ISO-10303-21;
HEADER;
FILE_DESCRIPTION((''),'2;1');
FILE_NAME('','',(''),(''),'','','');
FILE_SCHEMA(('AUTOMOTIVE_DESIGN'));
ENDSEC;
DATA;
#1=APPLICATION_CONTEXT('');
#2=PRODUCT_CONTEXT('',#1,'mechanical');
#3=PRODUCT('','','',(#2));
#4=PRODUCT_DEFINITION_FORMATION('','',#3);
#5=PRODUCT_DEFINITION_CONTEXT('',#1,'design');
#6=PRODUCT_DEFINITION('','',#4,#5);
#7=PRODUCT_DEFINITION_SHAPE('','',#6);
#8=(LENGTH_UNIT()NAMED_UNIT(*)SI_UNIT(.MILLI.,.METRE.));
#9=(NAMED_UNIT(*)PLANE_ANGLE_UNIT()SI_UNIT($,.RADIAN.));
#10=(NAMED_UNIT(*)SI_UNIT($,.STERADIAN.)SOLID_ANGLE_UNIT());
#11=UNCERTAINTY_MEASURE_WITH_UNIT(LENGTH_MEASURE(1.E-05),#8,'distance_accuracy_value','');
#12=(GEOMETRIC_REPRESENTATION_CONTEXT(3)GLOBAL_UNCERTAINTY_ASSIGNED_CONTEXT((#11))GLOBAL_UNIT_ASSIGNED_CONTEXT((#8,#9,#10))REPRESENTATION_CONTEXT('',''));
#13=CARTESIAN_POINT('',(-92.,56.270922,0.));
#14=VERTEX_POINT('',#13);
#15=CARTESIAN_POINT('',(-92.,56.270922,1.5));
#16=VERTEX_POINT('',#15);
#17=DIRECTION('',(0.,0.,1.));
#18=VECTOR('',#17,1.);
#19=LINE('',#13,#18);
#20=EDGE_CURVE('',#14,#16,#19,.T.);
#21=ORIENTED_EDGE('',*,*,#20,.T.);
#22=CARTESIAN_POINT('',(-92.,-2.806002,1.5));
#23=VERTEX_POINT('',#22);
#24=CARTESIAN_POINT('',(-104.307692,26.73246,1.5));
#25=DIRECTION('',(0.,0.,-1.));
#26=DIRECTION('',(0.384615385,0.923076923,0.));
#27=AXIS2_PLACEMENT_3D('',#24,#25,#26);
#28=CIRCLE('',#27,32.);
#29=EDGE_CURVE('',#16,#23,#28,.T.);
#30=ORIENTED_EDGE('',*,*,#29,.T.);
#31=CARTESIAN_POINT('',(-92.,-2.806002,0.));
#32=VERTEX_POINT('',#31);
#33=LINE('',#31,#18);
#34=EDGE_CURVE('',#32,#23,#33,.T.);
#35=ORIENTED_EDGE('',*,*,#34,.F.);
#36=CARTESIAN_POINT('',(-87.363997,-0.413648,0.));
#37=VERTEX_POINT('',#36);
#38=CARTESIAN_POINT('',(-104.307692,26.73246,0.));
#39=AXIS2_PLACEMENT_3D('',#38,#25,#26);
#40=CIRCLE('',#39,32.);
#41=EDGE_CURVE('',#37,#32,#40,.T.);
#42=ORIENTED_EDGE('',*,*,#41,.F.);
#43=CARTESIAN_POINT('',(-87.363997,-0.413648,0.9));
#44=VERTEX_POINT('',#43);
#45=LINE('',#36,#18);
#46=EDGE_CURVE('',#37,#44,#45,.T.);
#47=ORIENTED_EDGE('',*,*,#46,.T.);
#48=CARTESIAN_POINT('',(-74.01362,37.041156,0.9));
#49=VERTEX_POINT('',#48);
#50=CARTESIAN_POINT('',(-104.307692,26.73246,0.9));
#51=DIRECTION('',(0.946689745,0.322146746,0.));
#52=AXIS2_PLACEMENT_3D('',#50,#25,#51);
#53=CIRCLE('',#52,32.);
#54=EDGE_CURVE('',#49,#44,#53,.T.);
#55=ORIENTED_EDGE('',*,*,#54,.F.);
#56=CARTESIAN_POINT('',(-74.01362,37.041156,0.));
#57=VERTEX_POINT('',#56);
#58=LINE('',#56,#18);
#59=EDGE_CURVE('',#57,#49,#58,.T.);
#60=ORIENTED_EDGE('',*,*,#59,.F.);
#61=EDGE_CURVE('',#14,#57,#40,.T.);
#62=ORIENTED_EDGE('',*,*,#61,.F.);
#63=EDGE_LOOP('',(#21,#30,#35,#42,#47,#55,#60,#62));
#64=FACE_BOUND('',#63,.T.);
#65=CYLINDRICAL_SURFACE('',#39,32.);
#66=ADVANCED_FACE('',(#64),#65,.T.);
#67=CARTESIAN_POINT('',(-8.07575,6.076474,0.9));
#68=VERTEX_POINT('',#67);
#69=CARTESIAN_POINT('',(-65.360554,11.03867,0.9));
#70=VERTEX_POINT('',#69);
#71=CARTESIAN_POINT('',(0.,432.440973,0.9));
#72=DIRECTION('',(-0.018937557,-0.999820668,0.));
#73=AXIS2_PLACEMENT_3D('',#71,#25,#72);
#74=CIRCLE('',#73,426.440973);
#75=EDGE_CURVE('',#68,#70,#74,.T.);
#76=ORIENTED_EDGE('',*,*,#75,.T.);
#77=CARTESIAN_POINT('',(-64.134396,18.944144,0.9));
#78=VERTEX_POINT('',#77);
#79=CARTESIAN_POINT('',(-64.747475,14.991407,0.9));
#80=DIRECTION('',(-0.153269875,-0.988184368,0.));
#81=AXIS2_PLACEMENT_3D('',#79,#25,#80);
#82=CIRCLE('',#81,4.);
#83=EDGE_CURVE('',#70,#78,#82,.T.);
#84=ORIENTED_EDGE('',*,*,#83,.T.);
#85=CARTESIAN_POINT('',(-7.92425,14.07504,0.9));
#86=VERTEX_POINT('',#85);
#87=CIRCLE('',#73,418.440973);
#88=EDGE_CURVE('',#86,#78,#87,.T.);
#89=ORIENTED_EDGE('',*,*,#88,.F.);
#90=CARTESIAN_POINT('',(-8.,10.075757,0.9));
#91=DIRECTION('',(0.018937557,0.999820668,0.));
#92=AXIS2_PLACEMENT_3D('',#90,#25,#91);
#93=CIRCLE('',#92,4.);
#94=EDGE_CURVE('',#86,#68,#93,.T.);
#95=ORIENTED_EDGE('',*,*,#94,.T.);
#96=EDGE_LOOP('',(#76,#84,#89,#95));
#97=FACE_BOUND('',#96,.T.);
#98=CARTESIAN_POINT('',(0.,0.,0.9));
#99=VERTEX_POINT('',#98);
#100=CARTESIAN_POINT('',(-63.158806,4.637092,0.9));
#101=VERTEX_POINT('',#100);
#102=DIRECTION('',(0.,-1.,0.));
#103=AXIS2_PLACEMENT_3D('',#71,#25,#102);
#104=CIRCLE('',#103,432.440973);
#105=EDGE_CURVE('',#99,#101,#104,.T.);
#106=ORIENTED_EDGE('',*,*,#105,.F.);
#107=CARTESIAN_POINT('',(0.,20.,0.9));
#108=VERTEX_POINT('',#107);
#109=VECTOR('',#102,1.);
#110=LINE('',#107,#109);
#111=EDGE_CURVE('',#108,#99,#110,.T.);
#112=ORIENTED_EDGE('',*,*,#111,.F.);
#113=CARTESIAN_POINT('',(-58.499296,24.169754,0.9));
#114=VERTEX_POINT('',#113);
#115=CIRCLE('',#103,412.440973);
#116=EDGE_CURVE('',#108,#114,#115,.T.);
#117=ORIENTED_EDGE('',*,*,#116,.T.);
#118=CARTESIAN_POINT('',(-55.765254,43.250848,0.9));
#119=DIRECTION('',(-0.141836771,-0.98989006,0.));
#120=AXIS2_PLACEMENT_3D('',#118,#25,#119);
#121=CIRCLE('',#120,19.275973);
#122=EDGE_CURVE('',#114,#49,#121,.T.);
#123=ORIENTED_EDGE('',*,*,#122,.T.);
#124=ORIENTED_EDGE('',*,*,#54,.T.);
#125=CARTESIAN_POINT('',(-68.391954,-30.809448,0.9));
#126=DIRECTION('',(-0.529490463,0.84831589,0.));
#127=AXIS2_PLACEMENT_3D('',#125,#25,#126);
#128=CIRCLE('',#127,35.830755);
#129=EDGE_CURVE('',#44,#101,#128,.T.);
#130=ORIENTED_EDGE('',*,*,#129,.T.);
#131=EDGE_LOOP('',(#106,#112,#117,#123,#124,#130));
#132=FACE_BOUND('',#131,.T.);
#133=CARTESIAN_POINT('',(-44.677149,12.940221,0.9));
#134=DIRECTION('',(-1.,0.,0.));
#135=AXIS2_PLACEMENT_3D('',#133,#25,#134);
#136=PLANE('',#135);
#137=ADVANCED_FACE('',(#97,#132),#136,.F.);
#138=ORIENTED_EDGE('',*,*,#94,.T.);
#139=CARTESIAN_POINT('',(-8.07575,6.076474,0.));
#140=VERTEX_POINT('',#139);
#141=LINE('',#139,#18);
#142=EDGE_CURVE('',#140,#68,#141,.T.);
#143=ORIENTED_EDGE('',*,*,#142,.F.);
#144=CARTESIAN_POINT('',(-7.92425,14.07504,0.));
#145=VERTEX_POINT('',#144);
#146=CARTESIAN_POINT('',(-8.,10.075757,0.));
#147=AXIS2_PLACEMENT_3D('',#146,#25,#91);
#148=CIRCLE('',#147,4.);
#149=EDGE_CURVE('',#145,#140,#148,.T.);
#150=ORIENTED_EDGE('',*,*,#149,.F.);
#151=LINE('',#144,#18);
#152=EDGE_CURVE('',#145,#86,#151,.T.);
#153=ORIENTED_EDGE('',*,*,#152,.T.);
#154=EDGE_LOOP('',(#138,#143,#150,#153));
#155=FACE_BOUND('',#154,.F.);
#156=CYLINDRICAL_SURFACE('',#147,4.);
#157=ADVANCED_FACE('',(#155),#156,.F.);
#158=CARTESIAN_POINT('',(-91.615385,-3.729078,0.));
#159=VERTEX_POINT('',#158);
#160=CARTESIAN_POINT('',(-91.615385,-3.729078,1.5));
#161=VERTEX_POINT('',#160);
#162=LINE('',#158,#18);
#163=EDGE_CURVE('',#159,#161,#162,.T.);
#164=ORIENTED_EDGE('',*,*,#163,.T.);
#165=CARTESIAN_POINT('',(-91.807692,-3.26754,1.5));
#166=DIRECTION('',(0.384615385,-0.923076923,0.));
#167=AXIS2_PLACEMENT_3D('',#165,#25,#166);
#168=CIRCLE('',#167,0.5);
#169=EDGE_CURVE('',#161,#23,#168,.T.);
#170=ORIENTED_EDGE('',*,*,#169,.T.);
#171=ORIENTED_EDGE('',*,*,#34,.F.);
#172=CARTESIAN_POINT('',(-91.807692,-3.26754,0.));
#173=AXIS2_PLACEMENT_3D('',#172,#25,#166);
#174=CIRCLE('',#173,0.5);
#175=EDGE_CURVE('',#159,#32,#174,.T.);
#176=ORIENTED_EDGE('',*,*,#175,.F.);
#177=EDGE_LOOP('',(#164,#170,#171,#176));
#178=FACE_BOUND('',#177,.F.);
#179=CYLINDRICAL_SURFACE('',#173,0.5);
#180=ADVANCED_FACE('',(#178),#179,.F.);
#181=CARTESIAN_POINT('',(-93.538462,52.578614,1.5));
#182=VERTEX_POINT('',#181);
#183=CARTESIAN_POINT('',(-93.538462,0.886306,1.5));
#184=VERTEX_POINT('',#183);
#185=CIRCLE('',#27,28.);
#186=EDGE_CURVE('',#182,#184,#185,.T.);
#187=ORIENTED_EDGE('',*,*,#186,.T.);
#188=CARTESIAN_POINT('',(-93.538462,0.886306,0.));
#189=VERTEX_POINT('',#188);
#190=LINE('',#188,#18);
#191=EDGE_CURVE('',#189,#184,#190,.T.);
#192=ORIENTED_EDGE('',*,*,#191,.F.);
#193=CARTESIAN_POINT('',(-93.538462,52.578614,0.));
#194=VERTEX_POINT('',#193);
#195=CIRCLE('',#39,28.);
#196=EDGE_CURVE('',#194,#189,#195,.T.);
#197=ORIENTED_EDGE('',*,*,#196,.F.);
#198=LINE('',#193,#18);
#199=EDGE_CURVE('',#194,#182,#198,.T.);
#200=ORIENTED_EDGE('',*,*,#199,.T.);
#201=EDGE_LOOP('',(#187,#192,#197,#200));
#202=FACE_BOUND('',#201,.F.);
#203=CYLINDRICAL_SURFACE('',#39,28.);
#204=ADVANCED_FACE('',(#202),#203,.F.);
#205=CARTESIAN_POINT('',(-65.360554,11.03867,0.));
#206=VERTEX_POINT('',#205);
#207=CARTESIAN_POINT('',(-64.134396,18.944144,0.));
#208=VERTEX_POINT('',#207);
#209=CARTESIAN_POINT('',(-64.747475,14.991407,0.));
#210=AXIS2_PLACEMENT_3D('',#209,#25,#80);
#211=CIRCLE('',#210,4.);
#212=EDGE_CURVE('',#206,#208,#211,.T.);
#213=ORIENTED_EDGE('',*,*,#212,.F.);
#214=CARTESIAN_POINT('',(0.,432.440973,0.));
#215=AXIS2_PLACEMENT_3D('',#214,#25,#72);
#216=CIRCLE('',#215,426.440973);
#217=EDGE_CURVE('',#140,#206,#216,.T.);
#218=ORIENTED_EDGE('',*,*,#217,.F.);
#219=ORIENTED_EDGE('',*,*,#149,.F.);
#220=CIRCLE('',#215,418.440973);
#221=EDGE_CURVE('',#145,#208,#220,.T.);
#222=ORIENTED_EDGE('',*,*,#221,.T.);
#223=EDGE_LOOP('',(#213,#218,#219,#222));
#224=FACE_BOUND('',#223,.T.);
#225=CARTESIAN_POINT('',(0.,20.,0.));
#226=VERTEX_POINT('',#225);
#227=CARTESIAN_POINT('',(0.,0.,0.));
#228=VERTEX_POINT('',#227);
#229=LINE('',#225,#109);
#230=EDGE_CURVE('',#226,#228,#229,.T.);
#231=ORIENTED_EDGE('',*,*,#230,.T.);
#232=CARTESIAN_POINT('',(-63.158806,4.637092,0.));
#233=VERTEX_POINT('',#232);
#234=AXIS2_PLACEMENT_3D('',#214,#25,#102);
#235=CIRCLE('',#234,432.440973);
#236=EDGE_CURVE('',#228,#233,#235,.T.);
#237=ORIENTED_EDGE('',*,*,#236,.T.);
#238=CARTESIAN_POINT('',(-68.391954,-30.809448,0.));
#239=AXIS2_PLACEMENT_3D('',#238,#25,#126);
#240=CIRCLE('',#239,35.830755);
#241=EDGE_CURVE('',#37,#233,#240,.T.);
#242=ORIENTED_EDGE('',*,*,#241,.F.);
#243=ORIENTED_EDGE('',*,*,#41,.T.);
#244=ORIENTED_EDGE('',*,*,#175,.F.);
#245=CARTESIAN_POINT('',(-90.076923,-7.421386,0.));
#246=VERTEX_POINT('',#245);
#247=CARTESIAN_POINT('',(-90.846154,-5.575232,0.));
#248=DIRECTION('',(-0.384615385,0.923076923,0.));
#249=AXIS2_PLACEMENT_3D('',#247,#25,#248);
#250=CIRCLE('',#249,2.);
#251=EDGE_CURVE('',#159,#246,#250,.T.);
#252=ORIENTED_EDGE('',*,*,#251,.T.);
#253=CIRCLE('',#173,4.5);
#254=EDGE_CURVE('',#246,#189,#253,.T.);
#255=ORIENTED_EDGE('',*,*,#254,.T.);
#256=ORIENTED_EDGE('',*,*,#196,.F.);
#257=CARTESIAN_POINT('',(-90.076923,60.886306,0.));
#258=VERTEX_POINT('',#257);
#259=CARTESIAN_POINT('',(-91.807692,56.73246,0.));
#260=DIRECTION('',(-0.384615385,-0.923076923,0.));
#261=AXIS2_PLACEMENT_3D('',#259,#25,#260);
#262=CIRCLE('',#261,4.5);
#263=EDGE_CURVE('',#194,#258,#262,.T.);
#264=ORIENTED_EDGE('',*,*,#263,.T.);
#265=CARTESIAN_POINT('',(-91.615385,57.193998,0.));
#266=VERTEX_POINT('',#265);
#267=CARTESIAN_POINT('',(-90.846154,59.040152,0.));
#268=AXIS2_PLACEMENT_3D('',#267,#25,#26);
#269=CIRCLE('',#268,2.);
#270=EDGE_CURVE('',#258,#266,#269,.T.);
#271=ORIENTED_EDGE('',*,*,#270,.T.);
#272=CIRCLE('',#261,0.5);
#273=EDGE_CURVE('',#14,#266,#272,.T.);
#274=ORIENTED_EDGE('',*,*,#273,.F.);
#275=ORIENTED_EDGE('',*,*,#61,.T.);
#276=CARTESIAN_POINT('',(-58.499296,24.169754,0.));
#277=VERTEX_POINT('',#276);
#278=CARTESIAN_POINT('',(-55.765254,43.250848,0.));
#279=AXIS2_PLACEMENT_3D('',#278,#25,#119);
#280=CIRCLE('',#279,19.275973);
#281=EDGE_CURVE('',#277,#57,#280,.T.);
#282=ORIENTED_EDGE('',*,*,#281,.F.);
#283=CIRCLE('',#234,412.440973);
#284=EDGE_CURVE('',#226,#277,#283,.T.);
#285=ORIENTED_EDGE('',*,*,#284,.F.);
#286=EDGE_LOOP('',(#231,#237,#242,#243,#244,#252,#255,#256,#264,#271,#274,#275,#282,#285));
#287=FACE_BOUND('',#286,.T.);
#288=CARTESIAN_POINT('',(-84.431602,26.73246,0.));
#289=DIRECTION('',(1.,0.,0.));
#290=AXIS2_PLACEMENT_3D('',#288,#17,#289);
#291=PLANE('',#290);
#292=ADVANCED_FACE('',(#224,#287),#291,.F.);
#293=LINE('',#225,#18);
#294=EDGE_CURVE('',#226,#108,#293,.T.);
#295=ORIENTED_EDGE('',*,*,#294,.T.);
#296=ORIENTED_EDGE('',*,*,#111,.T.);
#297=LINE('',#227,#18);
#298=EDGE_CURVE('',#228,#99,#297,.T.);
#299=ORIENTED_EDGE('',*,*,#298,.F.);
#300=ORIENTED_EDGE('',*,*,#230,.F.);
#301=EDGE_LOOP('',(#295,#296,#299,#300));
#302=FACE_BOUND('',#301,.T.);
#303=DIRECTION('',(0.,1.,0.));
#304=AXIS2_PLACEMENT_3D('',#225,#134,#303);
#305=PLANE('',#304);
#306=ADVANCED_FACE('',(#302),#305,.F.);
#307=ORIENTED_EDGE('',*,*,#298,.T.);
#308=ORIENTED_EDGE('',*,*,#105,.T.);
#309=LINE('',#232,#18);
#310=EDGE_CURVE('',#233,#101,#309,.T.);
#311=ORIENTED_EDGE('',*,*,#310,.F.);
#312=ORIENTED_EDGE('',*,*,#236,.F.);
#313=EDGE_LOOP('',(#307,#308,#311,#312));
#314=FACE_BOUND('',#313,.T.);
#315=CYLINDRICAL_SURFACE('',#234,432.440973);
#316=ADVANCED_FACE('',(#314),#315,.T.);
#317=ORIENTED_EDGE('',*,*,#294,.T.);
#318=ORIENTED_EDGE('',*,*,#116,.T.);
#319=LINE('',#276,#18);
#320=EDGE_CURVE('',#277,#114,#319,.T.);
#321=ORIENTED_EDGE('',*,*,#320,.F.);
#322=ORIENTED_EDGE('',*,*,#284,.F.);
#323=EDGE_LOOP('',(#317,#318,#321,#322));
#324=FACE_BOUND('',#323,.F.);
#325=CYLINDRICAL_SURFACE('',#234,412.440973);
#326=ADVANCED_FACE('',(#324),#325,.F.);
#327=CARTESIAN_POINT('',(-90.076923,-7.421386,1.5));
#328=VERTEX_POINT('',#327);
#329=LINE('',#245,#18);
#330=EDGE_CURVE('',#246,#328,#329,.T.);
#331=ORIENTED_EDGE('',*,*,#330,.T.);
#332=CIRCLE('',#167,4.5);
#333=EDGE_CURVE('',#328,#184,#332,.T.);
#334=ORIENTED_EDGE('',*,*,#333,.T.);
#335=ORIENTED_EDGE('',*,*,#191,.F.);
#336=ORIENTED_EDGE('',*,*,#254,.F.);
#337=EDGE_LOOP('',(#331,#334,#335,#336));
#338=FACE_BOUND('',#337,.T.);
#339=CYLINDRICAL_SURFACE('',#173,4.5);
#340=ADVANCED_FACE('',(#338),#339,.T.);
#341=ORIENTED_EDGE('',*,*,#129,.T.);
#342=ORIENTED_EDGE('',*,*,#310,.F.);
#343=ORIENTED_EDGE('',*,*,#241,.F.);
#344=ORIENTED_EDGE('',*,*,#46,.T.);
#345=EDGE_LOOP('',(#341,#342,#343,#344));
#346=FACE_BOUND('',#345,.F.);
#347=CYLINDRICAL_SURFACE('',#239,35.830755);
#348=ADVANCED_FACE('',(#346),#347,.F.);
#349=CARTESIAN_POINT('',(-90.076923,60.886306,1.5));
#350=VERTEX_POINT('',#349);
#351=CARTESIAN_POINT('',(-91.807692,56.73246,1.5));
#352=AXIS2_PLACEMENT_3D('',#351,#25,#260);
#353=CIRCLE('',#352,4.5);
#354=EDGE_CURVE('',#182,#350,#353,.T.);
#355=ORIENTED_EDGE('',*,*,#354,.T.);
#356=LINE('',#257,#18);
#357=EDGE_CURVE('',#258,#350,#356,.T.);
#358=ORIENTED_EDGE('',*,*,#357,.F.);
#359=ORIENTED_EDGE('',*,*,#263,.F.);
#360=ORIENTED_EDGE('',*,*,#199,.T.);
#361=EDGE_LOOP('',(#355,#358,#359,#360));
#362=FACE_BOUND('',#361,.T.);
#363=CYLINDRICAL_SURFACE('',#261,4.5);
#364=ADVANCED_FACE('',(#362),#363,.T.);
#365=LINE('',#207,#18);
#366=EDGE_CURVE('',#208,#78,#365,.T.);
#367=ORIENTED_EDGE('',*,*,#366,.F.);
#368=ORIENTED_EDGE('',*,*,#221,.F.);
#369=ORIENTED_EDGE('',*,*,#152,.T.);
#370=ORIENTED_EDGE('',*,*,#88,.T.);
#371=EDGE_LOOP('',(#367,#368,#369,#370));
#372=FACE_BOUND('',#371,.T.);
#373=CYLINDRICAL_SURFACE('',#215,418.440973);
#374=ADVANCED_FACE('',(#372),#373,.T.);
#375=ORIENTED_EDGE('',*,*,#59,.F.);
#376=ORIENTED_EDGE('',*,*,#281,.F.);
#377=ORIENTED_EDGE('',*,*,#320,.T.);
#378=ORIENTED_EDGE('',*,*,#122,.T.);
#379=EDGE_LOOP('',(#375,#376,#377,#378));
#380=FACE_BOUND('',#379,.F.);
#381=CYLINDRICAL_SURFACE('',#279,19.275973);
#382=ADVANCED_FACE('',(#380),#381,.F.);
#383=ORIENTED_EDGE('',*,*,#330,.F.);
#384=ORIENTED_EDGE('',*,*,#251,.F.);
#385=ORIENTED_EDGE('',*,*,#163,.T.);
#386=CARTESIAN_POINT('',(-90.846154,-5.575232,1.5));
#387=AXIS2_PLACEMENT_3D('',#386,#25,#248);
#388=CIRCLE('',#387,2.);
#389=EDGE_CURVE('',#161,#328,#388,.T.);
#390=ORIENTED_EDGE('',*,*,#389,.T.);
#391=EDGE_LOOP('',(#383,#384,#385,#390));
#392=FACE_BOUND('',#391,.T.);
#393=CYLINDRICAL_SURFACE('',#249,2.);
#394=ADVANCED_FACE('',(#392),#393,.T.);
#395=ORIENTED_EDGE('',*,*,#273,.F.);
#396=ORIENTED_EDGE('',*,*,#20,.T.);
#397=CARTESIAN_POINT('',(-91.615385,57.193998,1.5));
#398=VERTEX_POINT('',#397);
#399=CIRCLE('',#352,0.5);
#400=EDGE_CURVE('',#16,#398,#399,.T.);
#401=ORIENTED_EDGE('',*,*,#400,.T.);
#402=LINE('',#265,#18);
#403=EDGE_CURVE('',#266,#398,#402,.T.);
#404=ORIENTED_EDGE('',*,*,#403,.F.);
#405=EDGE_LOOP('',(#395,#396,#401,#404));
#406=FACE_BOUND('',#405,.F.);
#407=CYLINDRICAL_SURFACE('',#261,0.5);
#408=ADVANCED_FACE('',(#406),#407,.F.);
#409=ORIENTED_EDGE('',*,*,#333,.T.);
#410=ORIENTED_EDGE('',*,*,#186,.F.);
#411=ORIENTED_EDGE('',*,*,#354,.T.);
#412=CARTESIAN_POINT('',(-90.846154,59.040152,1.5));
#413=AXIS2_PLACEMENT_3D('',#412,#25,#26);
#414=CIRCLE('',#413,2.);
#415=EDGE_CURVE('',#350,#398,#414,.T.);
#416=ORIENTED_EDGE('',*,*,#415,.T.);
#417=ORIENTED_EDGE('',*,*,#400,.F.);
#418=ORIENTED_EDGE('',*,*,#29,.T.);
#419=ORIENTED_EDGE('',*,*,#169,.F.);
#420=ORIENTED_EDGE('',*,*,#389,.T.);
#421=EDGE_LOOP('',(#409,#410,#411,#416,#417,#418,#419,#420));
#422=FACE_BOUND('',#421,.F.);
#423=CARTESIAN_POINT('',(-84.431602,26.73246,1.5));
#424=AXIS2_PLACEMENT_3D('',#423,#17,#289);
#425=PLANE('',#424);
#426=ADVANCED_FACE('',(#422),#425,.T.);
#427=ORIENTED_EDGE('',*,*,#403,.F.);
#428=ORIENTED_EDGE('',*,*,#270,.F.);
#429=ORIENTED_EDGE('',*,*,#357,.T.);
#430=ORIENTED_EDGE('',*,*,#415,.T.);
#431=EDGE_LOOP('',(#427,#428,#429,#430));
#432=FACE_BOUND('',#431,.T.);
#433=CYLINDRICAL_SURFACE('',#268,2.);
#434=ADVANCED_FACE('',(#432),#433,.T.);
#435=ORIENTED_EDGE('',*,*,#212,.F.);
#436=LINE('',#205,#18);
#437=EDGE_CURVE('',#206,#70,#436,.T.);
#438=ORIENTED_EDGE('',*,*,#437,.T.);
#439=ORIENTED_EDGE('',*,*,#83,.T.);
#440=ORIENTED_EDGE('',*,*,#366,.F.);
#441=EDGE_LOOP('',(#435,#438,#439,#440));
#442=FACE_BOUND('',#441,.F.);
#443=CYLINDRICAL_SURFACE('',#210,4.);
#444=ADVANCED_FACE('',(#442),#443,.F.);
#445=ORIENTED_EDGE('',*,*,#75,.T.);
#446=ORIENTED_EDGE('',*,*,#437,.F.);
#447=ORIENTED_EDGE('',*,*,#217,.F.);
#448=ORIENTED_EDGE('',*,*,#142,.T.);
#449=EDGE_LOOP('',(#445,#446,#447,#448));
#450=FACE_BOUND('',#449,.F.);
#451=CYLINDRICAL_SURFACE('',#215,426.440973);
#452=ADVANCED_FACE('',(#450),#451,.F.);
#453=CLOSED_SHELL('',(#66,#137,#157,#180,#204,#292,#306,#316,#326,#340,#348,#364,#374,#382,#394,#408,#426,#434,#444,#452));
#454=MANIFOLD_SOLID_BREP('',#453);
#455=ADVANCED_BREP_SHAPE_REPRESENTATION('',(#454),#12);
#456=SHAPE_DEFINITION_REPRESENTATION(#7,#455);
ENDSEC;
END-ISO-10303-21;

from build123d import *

# Parameters (mm, degrees)
PAD_DEPTH    = 1.5
PAD001_DEPTH = 0.9


with BuildPart() as body:
    # Sketch → Pad (new body)
    with BuildSketch(Plane.XY):
        with BuildLine():
            ThreePointArc((92, 56.2709215446), (72.3076923077, 26.7324600061), (92, -2.8060015324))
            ThreePointArc((91.6153846154, -3.7290784554), (92.2692307692, -3.4598476862), (92, -2.8060015324))
            ThreePointArc((91.6153846154, -3.7290784554), (89, -4.8060015324), (90.0769230769, -7.4213861477))
            ThreePointArc((90.0769230769, -7.4213861477), (95.9615384615, -4.9983092247), (93.5384615385, 0.88630616))
            ThreePointArc((93.5384615385, 52.5786138523), (76.3076923077, 26.7324600061), (93.5384615385, 0.88630616))
            ThreePointArc((93.5384615385, 52.5786138523), (95.9615384615, 58.4632292369), (90.0769230769, 60.88630616))
            ThreePointArc((90.0769230769, 60.88630616), (89, 58.2709215446), (91.6153846154, 57.1939984676))
            ThreePointArc((92, 56.2709215446), (92.2692307692, 56.9247676984), (91.6153846154, 57.1939984676))
        make_face()
    extrude(amount=PAD_DEPTH)

    # Sketch001 → Pad001 (join)
    with BuildSketch(Plane.XY):
        with BuildLine():
            ThreePointArc((0, 20), (29.323857539, 21.0437591192), (58.4992960523, 24.1697536209))
            ThreePointArc((58.4992960523, 24.1697536209), (68.0731220762, 28.4157701053), (74.013620455, 37.0411558783))
            ThreePointArc((74.013620455, 37.0411558783), (74.1652431283, 15.9884962371), (87.3639974769, -0.4136484716))
            ThreePointArc((87.3639974769, -0.4136484716), (75.7108888805, 4.2658460628), (63.1588059736, 4.6370922787))
            ThreePointArc((0, 0), (31.664401924, 1.1608311192), (63.1588059736, 4.6370922787))
            Line((0, 20), (0, 0))
        make_face()
        with BuildLine():
            ThreePointArc((8.0757502279, 6.0764743472), (36.8018825362, 7.5909701802), (65.3605544983, 11.0386695272))
            ThreePointArc((65.3605544983, 11.0386695272), (68.7002124728, 15.6044864983), (64.1343955017, 18.9441444728))
            ThreePointArc((7.9242497721, 14.0750396943), (36.1114820384, 15.5611237014), (64.1343955017, 18.9441444728))
            ThreePointArc((7.9242497721, 14.0750396943), (4.0007173264, 10.0000067928), (8.0757502279, 6.0764743472))
        make_face(mode=Mode.SUBTRACT)
    extrude(amount=PAD001_DEPTH)


with BuildPart() as part_mirroring:
    # Part__Mirroring: instance of Body
    add(body.part.mirror(Plane(origin=(0, 0, 0), x_dir=(0, -1, 0), z_dir=(1, 0, 0))))


solid = part_mirroring.part
